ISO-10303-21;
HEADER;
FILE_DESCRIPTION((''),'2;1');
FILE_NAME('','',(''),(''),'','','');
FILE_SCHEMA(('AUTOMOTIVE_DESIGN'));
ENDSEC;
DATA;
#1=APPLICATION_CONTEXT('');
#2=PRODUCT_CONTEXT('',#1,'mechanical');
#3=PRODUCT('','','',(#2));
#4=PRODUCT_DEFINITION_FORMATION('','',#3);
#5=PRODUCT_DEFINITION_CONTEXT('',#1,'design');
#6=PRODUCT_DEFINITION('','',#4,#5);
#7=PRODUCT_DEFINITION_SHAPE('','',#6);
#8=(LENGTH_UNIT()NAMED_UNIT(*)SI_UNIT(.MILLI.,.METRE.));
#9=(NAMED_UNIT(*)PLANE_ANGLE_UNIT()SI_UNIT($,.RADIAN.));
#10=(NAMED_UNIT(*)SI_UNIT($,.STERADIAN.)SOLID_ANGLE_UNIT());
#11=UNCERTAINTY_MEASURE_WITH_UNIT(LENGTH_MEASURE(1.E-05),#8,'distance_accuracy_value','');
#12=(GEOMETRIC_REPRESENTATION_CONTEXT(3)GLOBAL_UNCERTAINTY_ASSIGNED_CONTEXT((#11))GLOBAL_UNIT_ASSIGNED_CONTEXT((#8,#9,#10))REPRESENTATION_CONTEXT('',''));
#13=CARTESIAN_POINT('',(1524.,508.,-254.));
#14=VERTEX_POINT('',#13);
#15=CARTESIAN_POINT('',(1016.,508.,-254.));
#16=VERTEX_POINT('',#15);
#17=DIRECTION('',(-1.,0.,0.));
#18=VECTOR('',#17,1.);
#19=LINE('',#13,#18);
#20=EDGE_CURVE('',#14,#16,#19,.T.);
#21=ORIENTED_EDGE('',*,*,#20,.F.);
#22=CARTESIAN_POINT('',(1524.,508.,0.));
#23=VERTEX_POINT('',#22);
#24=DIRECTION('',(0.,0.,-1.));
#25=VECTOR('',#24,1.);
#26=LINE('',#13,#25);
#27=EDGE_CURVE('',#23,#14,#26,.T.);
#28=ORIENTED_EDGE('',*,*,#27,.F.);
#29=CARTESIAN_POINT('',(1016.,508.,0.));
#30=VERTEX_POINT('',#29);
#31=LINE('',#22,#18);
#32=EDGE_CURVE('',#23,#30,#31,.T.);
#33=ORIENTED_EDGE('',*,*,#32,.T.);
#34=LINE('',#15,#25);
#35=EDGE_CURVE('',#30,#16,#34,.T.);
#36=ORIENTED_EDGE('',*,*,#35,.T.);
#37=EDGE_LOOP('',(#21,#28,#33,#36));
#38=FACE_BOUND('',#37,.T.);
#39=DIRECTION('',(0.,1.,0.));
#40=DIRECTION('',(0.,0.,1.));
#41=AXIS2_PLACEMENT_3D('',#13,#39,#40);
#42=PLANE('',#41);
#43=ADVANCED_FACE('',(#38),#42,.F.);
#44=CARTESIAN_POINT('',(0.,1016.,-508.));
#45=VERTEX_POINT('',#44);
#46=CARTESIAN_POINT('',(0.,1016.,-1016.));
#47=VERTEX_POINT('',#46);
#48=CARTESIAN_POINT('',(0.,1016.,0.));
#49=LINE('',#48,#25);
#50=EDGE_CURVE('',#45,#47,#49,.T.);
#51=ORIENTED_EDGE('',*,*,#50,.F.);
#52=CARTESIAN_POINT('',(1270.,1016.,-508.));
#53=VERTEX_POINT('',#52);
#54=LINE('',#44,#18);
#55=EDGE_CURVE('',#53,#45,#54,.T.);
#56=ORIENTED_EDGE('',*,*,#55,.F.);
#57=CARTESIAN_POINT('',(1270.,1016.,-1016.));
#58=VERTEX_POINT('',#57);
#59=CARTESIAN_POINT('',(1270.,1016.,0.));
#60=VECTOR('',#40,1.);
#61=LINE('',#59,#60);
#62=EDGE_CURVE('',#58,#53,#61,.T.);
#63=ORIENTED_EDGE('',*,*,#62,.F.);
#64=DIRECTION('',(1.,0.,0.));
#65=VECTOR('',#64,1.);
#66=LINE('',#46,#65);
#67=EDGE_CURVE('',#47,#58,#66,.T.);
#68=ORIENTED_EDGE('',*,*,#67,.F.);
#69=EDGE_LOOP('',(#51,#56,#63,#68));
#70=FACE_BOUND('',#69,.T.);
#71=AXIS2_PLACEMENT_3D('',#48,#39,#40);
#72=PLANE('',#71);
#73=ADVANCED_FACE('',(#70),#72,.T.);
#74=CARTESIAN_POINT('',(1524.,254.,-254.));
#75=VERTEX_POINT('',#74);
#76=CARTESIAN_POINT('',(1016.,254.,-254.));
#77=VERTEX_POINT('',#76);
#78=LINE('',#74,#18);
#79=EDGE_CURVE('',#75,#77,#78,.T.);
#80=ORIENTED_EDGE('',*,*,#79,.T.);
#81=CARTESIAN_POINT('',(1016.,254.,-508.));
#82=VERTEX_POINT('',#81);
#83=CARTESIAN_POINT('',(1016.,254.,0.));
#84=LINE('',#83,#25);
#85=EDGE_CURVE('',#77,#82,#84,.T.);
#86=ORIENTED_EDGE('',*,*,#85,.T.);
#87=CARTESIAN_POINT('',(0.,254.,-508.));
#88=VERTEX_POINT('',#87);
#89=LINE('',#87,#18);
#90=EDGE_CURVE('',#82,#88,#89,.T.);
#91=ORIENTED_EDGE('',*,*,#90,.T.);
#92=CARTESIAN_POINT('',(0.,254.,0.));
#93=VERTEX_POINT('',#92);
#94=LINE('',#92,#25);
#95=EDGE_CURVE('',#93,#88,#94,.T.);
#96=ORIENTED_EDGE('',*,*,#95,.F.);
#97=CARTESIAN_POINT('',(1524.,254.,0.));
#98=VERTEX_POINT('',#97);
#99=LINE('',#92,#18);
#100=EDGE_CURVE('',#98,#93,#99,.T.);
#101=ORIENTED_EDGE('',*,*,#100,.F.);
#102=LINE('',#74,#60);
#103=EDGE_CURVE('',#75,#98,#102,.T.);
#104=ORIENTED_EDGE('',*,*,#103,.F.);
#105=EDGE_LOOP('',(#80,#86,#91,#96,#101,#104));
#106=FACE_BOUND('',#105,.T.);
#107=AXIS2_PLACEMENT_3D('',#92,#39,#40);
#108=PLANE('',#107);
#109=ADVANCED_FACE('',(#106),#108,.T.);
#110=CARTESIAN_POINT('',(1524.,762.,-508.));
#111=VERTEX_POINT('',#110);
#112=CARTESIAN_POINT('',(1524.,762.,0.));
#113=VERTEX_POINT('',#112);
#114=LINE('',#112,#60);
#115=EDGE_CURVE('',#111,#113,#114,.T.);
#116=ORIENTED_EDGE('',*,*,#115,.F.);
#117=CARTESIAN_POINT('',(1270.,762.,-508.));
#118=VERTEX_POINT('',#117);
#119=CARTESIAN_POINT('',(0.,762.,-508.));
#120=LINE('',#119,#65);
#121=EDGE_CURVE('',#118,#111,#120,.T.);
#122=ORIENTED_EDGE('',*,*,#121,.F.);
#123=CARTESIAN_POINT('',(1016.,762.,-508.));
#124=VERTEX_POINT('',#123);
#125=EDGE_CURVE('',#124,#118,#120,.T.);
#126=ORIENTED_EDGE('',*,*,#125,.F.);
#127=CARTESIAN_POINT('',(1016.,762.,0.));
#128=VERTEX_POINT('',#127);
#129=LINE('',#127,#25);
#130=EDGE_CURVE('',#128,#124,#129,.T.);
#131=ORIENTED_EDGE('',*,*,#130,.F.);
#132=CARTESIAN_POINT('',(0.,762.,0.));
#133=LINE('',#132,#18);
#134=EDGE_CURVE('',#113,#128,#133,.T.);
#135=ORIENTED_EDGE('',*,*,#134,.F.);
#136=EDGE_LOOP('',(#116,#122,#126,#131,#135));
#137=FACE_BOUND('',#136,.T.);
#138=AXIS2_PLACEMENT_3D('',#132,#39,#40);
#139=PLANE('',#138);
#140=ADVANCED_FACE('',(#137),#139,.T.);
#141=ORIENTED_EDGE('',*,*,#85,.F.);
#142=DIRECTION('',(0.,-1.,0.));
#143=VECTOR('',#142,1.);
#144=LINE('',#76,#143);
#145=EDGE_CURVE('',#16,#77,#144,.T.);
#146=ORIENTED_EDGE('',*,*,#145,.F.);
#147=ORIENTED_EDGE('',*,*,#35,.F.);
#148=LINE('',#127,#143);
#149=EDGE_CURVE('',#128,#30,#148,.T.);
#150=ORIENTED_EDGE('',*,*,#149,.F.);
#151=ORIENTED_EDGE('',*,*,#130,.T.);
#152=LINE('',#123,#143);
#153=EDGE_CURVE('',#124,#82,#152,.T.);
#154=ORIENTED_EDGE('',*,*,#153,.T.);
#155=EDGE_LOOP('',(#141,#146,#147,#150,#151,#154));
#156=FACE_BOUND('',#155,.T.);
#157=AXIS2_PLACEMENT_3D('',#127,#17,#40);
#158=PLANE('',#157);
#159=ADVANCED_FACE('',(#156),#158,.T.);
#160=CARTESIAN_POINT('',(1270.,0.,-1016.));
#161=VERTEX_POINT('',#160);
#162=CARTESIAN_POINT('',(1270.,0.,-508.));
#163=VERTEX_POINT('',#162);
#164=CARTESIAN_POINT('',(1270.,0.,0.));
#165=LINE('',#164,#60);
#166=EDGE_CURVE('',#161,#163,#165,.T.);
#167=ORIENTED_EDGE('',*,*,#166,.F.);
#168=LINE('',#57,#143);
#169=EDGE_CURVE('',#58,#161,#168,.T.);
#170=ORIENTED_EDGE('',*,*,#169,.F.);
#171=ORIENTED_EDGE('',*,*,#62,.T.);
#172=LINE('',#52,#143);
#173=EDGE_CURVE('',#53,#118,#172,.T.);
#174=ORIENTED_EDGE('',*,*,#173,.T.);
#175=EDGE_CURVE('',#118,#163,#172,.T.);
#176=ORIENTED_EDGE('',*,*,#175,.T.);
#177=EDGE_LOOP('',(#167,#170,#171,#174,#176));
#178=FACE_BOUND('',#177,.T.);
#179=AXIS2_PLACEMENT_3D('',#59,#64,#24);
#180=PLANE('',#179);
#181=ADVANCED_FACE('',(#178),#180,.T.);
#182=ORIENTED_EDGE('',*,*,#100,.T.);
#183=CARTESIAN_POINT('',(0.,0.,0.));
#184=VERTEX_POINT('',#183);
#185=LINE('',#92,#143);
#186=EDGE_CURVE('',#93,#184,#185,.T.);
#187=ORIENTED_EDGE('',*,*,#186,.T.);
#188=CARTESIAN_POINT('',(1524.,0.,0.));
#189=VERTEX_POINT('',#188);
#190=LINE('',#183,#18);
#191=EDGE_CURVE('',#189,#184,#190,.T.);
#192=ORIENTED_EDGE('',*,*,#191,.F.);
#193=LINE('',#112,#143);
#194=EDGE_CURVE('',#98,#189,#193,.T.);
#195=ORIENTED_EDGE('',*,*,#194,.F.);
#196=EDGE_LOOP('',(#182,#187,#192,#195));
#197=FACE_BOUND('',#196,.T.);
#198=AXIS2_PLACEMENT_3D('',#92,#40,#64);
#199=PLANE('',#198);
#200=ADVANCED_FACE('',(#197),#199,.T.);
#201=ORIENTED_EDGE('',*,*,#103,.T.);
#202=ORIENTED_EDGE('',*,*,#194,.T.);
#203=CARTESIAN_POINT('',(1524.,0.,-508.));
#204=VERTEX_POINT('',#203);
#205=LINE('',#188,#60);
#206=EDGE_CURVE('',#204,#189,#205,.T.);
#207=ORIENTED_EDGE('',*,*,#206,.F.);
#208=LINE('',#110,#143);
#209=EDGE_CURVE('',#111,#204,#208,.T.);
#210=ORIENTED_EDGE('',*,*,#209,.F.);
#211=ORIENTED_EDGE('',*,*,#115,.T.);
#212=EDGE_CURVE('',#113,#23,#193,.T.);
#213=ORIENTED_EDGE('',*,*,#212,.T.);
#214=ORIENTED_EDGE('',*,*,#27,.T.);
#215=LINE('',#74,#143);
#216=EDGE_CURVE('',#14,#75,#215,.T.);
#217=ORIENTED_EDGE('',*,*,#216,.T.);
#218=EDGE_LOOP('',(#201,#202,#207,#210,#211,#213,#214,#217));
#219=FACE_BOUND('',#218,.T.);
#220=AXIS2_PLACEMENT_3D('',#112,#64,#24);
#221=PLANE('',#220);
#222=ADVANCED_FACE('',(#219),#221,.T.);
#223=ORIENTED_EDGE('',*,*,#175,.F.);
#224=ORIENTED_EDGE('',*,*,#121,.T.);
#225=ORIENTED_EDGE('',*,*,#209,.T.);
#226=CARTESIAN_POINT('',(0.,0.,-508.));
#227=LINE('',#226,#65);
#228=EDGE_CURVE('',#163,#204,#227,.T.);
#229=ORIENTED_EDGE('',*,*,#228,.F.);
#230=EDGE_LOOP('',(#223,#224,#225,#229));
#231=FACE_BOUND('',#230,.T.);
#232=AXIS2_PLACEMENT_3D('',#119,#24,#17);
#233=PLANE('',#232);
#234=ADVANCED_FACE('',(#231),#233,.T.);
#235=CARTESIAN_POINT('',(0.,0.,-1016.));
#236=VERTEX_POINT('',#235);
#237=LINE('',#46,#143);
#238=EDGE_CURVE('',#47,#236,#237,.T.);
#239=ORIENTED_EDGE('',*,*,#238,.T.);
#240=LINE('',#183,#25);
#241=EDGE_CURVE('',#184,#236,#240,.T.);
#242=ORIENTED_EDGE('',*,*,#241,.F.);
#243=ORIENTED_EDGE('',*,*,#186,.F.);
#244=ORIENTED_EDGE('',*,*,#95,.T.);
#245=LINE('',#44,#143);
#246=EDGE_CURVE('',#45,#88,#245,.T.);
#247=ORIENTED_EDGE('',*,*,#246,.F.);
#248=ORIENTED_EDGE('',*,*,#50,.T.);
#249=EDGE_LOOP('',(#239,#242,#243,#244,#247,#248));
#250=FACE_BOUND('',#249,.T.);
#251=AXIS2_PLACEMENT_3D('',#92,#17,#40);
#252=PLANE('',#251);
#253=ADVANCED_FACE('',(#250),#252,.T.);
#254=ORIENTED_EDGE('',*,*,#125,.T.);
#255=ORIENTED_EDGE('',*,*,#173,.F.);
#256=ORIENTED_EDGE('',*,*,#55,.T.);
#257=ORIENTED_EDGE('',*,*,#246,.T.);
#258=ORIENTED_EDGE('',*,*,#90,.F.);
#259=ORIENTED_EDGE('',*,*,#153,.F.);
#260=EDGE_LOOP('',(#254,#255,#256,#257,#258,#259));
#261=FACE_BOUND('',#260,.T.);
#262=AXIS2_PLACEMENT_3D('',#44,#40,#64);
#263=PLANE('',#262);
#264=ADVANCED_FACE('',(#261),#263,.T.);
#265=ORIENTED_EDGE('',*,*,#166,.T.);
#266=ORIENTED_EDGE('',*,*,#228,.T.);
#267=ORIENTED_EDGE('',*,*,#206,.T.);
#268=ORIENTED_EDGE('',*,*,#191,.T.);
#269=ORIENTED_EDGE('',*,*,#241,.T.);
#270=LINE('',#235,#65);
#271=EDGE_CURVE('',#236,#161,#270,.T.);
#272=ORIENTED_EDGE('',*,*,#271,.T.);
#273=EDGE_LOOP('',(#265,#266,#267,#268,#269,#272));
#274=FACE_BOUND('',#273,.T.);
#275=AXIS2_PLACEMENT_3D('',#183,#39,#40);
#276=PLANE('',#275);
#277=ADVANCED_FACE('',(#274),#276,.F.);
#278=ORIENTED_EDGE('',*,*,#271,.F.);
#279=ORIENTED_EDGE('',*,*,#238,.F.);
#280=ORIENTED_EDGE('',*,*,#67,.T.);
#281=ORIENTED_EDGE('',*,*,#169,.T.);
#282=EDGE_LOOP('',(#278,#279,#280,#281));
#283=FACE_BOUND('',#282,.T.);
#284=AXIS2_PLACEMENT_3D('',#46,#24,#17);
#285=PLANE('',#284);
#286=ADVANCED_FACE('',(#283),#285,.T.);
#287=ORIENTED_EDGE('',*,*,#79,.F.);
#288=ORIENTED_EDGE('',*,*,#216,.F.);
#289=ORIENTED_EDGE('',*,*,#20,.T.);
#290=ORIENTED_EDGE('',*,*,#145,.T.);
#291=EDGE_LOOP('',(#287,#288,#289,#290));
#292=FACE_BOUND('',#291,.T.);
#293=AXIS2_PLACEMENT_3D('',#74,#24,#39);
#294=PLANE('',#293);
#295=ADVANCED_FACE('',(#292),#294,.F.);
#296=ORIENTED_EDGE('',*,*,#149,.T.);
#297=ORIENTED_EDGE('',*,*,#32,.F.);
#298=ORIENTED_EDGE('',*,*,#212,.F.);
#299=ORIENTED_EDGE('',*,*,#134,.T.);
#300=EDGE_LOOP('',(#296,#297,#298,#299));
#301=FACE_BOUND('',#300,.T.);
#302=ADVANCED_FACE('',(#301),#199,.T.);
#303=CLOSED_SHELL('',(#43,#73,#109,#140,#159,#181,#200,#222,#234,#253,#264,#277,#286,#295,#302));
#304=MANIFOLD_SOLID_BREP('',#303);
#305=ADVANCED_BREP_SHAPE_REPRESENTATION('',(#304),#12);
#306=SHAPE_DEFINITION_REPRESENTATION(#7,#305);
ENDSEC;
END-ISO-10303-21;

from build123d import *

# Parameters (mm, degrees)
SKETCH1_W           = 1016
SKETCH1_H           = 508
BOSS_EXTRUDE1_DEPTH = 254
BOSS_EXTRUDE2_DEPTH = 1016
BOSS_EXTRUDE3_DEPTH = 762
SKETCH2_W           = 254
SKETCH2_H           = 254
CUT_EXTRUDE3_DEPTH  = 508


with BuildPart() as part:
    # Sketch1 → Boss-Extrude1 (new body)
    with BuildSketch(Plane(origin=(0, 0, 0), x_dir=(1, 0, 0), z_dir=(0, 1, 0))):
        with Locations((508, 254)):
            Rectangle(SKETCH1_W, SKETCH1_H)
    extrude(amount=BOSS_EXTRUDE1_DEPTH)

    # Sketch1<3> → Boss-Extrude2 (add)
    with BuildSketch(Plane(origin=(0, 0, 0), x_dir=(1, 0, 0), z_dir=(0, 1, 0))):
        Polygon((0, 1016), (0, 508), (1016, 508), (1270, 508), (1270, 1016), align=None)
    extrude(amount=BOSS_EXTRUDE2_DEPTH)

    # Sketch1<4> → Boss-Extrude3 (add)
    with BuildSketch(Plane(origin=(0, 0, 0), x_dir=(1, 0, 0), z_dir=(0, 1, 0))):
        Polygon((1016, 508), (1016, 0), (1524, 0), (1524, 508), (1270, 508), align=None)
    extrude(amount=BOSS_EXTRUDE3_DEPTH)

    # Sketch2 → Cut-Extrude3 (cut)
    with BuildSketch(Plane.ZY.offset(-1016)):
        with Locations((-127, 381)):
            Rectangle(SKETCH2_W, SKETCH2_H)
    extrude(amount=-CUT_EXTRUDE3_DEPTH, mode=Mode.SUBTRACT)


solid = part.part
